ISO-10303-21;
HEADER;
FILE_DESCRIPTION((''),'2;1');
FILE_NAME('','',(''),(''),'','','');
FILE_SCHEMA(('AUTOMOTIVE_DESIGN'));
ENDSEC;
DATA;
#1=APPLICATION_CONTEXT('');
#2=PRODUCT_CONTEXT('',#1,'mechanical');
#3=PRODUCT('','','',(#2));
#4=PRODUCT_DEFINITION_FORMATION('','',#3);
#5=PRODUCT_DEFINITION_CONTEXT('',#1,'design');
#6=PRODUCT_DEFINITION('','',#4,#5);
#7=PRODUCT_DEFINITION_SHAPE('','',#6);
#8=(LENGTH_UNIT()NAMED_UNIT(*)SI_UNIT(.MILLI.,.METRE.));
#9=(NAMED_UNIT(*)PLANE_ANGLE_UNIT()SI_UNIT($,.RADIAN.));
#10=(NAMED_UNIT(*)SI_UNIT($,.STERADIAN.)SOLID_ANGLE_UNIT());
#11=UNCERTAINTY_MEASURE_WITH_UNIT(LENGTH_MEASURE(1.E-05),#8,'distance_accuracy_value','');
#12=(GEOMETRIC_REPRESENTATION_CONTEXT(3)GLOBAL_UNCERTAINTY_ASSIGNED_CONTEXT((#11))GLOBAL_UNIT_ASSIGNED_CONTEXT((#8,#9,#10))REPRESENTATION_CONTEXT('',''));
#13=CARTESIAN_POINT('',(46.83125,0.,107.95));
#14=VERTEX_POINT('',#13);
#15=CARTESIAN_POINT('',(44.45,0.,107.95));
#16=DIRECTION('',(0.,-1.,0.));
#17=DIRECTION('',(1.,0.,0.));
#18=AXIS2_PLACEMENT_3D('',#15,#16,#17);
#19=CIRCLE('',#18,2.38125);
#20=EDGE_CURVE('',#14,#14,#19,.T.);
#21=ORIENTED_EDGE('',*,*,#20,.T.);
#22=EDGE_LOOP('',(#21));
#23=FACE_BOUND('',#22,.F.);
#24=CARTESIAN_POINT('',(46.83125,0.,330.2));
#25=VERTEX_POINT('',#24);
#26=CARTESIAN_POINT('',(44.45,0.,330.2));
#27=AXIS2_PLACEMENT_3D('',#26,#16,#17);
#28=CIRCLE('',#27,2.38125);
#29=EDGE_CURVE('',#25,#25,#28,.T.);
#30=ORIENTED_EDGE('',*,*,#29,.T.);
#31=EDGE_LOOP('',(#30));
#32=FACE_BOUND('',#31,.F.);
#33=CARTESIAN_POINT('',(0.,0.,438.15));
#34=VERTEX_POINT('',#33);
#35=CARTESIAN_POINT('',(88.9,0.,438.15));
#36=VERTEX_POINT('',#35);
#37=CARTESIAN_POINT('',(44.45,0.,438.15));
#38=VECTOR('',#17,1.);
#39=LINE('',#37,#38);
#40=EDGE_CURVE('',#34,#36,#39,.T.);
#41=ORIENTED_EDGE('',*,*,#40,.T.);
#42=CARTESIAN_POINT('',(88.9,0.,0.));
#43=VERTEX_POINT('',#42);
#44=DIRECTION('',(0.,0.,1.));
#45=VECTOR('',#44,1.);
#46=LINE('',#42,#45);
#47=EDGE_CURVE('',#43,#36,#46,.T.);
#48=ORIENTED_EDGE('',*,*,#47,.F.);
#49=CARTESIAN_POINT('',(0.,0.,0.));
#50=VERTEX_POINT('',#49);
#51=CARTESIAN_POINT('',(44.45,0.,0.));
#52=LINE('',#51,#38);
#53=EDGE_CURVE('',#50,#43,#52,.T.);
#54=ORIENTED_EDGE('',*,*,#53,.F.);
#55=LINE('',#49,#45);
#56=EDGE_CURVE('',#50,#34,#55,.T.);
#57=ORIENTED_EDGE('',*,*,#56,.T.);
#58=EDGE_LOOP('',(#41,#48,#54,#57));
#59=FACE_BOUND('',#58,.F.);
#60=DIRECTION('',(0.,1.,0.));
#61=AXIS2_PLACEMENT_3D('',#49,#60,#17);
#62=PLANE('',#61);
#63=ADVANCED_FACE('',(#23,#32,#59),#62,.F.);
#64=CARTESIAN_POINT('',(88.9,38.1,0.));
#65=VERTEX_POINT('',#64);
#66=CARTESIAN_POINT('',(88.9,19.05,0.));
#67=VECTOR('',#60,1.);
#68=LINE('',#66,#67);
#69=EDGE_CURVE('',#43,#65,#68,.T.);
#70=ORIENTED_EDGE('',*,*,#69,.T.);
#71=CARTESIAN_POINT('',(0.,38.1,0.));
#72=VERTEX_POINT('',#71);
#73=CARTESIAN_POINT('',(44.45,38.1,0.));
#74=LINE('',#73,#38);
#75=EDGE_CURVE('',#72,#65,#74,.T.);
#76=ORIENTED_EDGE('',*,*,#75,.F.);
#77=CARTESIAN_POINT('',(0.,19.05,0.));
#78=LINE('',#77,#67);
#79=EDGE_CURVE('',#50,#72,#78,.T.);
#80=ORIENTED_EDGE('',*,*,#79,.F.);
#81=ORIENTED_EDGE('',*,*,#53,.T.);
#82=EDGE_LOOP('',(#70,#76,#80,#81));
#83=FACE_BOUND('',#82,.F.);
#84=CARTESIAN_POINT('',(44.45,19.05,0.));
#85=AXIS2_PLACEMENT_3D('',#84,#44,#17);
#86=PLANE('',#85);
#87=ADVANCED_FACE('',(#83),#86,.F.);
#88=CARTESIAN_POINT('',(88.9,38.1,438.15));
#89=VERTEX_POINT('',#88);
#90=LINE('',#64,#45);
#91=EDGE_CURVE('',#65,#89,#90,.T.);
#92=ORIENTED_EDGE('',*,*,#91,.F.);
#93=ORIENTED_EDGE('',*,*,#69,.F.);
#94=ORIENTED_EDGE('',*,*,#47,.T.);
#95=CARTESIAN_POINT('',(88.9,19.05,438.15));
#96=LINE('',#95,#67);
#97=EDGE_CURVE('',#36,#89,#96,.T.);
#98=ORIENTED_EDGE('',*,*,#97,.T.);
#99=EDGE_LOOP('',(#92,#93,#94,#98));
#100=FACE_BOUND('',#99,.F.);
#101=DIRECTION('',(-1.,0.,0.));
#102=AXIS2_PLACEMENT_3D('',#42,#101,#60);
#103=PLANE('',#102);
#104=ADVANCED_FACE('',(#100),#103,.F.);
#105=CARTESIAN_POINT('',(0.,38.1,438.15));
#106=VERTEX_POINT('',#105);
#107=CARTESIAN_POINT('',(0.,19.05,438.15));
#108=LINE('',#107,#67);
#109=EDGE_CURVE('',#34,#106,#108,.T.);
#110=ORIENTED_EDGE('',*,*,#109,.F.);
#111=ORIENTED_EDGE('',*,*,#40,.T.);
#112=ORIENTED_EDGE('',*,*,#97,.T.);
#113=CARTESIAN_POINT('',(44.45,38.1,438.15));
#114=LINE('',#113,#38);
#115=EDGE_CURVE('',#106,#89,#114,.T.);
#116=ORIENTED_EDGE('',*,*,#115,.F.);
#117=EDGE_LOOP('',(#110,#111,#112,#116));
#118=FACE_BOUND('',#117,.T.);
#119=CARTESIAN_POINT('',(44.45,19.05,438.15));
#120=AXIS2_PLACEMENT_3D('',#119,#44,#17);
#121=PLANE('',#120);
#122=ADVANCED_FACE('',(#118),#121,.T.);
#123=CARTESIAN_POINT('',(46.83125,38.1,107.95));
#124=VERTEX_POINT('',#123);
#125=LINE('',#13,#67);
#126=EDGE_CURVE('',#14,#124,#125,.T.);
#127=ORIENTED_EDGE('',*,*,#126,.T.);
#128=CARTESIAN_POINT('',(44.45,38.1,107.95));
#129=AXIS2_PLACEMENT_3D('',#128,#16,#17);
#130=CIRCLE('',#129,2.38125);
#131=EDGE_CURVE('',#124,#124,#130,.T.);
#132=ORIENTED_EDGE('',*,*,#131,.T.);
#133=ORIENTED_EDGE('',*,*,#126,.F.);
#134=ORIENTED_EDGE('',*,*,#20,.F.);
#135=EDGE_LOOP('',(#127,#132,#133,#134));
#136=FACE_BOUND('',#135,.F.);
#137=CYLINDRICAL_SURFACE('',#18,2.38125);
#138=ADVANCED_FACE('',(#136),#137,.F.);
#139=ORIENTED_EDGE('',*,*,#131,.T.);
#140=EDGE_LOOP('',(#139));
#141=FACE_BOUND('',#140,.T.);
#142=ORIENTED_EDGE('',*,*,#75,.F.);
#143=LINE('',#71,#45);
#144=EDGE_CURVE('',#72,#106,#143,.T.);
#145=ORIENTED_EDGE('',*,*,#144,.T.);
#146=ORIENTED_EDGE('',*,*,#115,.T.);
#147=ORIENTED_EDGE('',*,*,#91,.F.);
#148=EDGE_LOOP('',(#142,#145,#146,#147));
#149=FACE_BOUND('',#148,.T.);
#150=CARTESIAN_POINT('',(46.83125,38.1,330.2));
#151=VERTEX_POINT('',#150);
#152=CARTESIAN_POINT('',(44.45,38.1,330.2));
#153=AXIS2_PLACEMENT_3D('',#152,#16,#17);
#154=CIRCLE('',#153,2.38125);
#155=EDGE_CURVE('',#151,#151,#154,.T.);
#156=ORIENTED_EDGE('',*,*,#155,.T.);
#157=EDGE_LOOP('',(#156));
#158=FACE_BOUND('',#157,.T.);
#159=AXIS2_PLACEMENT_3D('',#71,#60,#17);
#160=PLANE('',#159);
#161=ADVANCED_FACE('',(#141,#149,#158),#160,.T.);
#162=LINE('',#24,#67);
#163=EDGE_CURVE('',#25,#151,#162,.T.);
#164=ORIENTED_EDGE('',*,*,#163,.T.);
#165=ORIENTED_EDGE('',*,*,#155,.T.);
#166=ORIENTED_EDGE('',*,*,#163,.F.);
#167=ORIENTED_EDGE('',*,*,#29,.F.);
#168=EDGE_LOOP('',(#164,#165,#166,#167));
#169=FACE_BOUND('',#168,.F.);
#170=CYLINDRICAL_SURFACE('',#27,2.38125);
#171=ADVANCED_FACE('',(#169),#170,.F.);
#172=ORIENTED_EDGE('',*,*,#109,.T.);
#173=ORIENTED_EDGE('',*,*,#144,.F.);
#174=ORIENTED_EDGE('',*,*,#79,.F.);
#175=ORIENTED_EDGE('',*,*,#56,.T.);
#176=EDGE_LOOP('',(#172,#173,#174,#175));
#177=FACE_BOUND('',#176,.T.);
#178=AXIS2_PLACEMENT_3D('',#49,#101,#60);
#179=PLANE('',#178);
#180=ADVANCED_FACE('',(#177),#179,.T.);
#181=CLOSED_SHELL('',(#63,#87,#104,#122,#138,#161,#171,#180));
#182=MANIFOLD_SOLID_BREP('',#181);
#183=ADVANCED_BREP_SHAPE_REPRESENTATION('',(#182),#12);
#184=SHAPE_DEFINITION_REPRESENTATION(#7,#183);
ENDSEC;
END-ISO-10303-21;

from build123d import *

# Parameters (mm, degrees)
SKETCH001_AS_DRAWN_R                 = 2.38125
EXTRUDE001_DEPTH                     = 76.2
EXTRUDE001_ONTO_SKETCH001_ROLL_ANGLE = 90
SKETCH_W                             = 88.9
SKETCH_H                             = 38.1
EXTRUDE_DEPTH                        = 438.15


with BuildPart() as extrude001:
    # Sketch001 as drawn → Extrude001 (new)
    with BuildSketch(Plane.XY):
        with Locations((44.45, 107.95)):
            Circle(SKETCH001_AS_DRAWN_R)
        with Locations((44.45, 330.2)):
            Circle(SKETCH001_AS_DRAWN_R)
    extrude(amount=-EXTRUDE001_DEPTH)


with BuildPart() as extrude001_1:
    # Extrude001 onto Sketch001 roll: moved
    add(extrude001.part.rotate(Axis((0, 0, 0), (1, 0, 0)), EXTRUDE001_ONTO_SKETCH001_ROLL_ANGLE))


with BuildPart() as extrude001_2:
    # Extrude001 onto Sketch001 placement: moved
    add(extrude001_1.part)


with BuildPart() as cut:
    # Sketch → Extrude (new body)
    with BuildSketch(Plane.XY):
        with Locations((44.45, 19.05)):
            Rectangle(SKETCH_W, SKETCH_H)
    extrude(amount=EXTRUDE_DEPTH)

    # Cut: cut Extrude001
    add(extrude001_2.part, mode=Mode.SUBTRACT)


solid = cut.part
